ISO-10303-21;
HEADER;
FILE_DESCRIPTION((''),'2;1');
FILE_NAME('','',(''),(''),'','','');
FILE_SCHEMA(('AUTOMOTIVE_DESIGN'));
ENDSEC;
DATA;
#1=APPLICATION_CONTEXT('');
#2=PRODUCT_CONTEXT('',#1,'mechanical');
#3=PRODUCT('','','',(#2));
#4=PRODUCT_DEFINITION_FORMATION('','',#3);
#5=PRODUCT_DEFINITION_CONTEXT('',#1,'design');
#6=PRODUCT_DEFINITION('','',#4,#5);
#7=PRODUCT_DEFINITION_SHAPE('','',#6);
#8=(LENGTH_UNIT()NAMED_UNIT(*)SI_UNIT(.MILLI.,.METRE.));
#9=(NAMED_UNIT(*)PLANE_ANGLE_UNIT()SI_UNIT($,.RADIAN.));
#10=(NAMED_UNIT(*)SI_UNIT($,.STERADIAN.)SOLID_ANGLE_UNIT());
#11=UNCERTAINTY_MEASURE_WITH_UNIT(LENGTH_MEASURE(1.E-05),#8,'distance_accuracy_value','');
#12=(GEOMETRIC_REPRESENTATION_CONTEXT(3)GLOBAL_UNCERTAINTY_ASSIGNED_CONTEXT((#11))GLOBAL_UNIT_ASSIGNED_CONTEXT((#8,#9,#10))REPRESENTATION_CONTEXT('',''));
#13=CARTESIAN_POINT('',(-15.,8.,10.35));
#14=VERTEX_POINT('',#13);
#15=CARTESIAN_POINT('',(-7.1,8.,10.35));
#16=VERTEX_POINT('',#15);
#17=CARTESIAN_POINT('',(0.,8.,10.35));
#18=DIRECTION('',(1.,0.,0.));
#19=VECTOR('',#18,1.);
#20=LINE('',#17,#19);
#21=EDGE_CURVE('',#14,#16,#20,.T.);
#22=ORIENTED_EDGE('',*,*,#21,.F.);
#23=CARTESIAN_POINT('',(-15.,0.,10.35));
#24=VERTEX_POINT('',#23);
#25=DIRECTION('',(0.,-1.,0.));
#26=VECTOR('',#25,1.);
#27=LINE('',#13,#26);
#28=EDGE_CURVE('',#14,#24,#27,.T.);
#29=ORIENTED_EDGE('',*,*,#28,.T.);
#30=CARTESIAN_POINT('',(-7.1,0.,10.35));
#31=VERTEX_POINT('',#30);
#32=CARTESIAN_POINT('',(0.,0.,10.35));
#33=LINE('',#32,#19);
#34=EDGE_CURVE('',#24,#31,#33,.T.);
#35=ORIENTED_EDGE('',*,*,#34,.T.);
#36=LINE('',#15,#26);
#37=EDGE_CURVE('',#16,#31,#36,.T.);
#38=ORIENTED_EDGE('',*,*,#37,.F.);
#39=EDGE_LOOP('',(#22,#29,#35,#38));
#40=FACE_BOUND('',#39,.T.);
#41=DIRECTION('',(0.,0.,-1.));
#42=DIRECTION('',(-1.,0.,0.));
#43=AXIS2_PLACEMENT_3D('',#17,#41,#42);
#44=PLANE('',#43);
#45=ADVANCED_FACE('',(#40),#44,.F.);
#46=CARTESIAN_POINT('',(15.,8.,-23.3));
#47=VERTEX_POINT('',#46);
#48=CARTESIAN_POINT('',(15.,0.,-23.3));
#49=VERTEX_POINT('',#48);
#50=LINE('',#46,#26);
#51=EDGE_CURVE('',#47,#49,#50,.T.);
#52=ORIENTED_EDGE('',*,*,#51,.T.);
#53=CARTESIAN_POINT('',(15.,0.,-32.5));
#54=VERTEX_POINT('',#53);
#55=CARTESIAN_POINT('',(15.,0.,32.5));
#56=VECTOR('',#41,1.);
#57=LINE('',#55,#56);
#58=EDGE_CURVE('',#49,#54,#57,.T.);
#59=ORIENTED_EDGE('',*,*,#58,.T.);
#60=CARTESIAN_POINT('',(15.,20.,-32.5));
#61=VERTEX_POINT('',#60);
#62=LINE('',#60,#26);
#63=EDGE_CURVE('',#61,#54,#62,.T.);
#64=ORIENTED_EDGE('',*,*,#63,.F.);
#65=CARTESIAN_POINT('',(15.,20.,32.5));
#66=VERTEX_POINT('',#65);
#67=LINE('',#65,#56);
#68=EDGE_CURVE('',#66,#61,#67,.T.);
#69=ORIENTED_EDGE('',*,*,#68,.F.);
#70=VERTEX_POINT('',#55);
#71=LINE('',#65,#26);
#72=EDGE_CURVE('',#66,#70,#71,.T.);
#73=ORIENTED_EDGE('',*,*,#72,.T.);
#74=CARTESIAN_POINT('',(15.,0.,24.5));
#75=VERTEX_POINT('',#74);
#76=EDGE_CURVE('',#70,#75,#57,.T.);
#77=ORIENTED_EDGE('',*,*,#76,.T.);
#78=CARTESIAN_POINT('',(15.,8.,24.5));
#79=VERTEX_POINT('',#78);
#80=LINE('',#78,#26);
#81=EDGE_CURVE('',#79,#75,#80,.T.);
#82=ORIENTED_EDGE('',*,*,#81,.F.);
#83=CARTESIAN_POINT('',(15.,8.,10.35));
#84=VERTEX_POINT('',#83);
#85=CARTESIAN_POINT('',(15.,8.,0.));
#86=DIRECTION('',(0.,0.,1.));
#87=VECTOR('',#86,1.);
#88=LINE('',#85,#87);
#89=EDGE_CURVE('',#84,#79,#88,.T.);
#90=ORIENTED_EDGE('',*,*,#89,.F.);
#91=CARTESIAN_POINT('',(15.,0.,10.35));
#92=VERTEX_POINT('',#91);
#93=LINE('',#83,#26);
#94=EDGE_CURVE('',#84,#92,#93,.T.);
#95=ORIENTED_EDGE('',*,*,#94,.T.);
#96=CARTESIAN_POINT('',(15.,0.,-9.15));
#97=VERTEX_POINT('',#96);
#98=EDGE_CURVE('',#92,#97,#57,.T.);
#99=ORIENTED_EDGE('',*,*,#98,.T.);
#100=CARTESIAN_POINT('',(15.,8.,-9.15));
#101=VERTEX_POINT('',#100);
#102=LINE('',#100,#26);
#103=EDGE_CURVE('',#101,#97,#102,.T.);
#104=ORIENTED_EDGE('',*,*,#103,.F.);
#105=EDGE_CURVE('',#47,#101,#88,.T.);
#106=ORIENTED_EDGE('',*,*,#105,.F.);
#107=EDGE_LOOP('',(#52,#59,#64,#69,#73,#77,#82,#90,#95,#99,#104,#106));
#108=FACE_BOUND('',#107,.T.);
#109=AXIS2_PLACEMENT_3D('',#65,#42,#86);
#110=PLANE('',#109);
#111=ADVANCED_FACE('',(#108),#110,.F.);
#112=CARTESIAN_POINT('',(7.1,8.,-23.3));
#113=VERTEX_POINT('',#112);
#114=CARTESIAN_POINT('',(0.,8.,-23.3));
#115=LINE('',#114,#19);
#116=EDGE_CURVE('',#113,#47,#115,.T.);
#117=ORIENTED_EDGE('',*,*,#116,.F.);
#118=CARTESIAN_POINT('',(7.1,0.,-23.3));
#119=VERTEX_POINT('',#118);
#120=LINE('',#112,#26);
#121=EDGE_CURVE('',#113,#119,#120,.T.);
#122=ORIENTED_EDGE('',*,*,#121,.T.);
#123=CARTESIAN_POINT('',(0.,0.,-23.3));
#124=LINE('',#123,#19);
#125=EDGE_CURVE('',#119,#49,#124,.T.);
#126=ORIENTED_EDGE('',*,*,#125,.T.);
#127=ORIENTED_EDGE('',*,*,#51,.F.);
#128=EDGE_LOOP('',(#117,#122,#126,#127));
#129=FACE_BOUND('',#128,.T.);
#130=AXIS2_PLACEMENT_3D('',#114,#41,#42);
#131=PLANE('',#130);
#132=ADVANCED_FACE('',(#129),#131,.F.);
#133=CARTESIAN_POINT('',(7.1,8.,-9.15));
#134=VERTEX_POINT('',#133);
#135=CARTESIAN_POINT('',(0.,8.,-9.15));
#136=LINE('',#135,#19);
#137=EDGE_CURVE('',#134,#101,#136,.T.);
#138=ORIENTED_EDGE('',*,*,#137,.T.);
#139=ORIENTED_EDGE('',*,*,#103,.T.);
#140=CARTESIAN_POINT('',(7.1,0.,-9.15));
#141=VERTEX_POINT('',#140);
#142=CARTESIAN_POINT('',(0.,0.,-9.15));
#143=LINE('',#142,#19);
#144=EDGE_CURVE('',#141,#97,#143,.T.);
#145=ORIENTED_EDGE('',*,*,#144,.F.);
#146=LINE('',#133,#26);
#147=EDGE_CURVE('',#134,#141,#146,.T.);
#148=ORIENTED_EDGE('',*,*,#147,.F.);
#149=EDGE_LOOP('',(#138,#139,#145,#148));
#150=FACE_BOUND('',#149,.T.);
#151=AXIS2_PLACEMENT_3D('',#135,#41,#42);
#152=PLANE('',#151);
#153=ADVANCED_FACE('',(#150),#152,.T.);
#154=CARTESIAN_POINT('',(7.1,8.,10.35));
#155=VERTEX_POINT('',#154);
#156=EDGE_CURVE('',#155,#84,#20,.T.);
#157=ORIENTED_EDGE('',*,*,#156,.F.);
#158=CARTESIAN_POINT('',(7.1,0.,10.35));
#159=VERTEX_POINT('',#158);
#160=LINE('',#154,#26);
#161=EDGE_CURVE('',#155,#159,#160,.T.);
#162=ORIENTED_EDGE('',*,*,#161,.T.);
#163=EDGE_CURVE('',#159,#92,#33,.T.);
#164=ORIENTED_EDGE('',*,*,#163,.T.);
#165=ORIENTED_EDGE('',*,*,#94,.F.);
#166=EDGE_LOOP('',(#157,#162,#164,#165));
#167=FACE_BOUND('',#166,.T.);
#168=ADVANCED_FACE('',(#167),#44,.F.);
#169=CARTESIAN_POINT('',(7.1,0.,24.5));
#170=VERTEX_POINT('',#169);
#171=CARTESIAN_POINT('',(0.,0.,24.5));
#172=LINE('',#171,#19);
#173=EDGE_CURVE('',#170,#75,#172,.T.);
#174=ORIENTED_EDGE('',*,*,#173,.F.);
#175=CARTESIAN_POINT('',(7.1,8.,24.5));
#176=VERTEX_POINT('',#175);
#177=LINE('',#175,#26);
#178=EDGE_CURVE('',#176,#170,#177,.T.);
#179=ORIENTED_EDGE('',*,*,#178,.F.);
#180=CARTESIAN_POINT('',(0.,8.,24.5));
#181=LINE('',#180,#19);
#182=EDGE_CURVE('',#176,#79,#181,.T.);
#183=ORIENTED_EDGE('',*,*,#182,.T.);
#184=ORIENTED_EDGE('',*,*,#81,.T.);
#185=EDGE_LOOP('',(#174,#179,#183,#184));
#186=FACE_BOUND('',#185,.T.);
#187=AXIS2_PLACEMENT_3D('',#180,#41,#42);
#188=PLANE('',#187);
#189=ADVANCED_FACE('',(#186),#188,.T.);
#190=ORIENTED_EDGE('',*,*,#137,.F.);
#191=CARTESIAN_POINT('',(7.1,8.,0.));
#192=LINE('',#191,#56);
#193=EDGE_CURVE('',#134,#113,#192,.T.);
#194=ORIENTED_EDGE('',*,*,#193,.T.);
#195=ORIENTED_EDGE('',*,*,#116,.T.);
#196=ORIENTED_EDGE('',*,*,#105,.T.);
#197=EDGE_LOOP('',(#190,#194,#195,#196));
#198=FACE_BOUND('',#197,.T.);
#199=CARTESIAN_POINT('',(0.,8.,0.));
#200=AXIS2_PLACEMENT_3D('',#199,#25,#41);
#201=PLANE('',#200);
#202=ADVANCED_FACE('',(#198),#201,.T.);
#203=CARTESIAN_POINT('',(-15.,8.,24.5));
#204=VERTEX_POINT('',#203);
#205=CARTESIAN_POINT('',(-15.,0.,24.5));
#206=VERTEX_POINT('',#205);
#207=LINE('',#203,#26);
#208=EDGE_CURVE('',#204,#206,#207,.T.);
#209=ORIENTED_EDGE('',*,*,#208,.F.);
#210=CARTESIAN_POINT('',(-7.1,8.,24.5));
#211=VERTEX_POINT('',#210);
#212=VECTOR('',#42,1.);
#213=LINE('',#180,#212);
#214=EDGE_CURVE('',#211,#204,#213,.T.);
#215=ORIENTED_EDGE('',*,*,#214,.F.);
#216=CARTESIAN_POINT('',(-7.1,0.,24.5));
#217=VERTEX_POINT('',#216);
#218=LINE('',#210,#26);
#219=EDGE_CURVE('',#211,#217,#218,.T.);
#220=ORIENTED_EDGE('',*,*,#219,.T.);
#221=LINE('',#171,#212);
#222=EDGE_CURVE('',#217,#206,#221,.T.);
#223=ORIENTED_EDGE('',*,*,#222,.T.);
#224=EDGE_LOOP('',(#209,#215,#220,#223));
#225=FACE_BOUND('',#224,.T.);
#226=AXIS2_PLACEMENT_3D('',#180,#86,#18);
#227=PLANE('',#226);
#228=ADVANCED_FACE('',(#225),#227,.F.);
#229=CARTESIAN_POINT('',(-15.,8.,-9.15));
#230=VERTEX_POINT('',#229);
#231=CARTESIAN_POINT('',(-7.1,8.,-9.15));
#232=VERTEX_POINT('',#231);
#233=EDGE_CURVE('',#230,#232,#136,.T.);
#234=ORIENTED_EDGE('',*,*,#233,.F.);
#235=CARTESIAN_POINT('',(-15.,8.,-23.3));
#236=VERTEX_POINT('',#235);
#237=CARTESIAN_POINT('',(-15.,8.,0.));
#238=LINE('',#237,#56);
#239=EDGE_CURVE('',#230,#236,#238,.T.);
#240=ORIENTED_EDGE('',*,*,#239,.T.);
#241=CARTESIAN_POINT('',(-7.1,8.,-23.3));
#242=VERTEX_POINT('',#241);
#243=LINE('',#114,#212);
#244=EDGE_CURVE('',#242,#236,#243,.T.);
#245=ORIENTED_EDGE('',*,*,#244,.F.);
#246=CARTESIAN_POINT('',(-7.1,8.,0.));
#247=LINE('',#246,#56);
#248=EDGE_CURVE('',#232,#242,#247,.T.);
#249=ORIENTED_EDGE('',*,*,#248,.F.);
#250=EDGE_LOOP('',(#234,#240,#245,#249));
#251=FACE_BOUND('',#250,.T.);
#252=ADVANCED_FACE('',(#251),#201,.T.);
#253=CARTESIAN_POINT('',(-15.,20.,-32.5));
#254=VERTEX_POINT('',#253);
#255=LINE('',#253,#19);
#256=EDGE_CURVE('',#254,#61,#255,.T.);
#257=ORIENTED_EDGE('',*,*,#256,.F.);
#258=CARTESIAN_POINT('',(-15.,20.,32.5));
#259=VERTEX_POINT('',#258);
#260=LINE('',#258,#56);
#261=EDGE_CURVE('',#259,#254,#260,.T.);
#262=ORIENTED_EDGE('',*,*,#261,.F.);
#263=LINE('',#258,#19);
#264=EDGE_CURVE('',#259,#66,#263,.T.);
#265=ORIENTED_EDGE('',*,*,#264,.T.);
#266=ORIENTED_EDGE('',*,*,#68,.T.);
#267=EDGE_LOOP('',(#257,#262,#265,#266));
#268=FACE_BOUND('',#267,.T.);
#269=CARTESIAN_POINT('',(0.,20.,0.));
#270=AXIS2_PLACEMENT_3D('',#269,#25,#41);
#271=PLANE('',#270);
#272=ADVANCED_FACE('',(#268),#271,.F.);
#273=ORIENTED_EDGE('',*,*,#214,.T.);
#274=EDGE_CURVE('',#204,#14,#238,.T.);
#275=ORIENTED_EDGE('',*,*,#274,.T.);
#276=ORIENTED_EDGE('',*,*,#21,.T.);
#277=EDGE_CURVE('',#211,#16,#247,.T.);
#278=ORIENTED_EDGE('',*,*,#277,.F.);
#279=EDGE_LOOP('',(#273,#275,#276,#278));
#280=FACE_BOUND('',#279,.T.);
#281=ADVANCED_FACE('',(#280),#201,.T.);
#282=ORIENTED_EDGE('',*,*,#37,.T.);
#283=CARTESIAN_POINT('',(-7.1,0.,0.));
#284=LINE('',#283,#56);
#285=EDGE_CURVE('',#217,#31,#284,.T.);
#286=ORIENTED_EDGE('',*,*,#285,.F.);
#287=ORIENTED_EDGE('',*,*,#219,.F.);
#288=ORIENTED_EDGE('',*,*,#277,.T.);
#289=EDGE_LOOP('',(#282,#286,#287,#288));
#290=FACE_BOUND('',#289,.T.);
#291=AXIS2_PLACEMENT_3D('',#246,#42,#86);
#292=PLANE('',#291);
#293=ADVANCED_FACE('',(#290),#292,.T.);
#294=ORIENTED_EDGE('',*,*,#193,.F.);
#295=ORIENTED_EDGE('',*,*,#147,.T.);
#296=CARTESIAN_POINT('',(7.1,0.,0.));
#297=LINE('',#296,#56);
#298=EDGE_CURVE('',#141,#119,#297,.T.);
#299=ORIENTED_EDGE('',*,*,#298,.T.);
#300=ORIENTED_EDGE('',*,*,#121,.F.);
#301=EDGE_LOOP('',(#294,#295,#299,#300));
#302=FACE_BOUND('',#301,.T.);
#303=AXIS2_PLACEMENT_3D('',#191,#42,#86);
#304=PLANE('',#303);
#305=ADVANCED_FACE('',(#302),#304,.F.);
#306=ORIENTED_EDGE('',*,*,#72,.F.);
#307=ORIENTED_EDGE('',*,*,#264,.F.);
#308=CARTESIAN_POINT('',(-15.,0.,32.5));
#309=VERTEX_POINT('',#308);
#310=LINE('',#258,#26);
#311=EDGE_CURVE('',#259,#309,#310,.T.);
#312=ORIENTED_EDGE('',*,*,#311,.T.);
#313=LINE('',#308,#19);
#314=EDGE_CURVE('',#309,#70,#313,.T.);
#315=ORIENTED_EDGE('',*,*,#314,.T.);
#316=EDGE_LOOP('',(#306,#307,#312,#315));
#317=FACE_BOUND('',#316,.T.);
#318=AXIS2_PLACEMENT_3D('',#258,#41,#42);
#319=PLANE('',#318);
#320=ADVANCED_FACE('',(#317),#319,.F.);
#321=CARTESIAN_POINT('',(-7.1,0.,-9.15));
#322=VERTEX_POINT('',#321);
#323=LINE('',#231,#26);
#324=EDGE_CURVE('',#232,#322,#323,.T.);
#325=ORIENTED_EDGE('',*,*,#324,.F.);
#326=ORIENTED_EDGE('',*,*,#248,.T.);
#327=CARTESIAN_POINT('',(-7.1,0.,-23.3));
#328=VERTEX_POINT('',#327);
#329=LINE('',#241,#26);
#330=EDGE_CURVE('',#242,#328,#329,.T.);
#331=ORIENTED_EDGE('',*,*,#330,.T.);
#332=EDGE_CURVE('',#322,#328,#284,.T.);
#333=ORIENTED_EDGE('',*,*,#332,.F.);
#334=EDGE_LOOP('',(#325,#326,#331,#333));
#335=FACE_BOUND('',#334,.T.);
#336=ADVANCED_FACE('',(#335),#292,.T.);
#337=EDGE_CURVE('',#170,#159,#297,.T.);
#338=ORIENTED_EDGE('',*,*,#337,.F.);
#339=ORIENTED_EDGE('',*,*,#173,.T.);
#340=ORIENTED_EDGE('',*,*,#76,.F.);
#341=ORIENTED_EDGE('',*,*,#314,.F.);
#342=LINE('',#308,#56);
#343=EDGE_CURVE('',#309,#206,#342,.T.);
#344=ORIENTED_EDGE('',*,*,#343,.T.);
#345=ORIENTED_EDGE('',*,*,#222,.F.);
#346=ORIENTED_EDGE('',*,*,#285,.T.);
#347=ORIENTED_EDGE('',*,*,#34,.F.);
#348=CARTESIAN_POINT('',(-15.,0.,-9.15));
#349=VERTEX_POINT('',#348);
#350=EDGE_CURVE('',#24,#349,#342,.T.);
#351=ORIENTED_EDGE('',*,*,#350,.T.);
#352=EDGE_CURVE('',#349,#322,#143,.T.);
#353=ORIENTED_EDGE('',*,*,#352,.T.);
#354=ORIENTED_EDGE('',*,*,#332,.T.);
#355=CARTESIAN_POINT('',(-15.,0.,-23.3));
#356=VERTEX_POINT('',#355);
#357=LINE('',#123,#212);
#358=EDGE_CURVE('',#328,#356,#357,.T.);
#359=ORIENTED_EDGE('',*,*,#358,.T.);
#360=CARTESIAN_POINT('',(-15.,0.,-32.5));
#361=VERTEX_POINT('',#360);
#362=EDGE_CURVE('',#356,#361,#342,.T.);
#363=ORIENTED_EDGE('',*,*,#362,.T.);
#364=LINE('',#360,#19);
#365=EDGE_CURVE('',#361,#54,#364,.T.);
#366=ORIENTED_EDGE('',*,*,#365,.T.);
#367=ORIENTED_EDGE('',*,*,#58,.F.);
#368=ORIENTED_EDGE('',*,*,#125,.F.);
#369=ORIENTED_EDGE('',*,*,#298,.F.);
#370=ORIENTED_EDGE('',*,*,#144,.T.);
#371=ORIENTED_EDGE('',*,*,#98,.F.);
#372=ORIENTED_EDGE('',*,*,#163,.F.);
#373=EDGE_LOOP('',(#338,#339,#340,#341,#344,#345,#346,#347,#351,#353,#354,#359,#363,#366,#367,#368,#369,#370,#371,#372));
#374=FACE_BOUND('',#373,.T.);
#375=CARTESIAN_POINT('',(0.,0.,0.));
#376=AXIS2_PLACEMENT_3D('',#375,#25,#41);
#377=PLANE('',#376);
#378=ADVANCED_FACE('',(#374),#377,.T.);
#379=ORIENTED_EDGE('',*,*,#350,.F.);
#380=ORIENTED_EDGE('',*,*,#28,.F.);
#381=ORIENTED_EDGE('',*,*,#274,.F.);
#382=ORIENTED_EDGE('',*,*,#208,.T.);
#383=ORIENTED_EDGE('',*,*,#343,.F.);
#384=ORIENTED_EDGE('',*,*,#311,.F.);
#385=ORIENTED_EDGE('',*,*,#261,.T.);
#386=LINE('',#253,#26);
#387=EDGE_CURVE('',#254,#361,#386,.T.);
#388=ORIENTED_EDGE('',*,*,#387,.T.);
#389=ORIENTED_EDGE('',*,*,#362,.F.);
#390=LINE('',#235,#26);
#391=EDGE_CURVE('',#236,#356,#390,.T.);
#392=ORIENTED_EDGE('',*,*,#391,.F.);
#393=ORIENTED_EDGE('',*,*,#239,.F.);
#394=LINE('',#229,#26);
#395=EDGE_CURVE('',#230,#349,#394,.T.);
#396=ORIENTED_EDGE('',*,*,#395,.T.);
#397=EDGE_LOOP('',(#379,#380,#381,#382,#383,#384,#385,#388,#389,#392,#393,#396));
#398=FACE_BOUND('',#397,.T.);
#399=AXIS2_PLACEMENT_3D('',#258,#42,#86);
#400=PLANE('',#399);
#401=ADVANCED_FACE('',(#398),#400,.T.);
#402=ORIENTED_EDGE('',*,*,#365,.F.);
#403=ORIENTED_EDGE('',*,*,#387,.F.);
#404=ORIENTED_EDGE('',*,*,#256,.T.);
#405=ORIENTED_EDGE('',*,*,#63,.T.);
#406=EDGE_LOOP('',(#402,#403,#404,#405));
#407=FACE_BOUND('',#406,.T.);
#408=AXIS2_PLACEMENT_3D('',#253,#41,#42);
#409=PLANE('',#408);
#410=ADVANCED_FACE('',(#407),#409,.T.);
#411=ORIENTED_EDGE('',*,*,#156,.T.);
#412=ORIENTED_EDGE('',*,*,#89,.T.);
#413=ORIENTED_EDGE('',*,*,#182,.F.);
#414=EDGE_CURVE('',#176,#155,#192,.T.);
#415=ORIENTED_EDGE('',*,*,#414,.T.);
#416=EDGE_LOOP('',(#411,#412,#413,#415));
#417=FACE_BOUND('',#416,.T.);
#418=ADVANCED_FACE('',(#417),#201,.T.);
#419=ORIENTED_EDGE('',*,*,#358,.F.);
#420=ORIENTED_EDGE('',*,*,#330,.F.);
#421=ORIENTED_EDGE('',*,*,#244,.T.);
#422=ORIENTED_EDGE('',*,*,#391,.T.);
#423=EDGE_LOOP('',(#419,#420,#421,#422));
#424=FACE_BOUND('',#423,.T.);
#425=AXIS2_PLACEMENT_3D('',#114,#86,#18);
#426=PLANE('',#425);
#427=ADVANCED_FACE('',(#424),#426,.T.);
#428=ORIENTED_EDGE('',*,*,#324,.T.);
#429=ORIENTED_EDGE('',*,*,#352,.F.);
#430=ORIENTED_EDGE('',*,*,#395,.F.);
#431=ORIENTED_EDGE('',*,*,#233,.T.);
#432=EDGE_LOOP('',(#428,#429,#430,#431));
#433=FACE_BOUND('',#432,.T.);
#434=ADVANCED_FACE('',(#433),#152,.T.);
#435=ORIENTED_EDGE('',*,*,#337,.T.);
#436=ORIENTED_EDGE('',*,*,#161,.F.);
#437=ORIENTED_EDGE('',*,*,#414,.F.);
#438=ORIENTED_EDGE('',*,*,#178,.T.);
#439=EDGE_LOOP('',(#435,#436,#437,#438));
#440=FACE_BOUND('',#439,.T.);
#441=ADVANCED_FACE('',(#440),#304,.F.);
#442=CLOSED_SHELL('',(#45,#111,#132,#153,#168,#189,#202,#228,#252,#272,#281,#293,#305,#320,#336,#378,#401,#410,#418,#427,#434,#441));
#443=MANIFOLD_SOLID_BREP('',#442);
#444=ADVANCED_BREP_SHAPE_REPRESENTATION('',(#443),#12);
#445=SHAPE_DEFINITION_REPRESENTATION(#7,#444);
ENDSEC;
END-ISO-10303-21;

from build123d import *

# Parameters (mm, degrees)
SKETCH_4_W          = 30
SKETCH_4_H          = 65
EXTRUDE_1_DEPTH     = 20
SKETCH_5_W          = 7.9
SKETCH_5_H          = 14.15
CUT_EXTRUDE_1_DEPTH = 8


with BuildPart() as part:
    # 草图4 → 凸台-拉伸1 (new body)
    with BuildSketch(Plane(origin=(0, 0, 0), x_dir=(1, 0, 0), z_dir=(0, 1, 0))):
        Rectangle(SKETCH_4_W, SKETCH_4_H)
    extrude(amount=EXTRUDE_1_DEPTH)

    # 草图5 → 切除-拉伸1 (cut)
    with BuildSketch(Plane(origin=(0, 0, 0), x_dir=(-1, 0, 0), z_dir=(0, -1, 0))):
        with Locations((11.05, -17.425)):
            Rectangle(SKETCH_5_W, SKETCH_5_H)
        with Locations((11.05, 16.225)):
            Rectangle(SKETCH_5_W, SKETCH_5_H)
        with Locations((-11.05, 16.225)):
            Rectangle(SKETCH_5_W, SKETCH_5_H)
        with Locations((-11.05, -17.425)):
            Rectangle(SKETCH_5_W, SKETCH_5_H)
    extrude(amount=-CUT_EXTRUDE_1_DEPTH, mode=Mode.SUBTRACT)


solid = part.part
